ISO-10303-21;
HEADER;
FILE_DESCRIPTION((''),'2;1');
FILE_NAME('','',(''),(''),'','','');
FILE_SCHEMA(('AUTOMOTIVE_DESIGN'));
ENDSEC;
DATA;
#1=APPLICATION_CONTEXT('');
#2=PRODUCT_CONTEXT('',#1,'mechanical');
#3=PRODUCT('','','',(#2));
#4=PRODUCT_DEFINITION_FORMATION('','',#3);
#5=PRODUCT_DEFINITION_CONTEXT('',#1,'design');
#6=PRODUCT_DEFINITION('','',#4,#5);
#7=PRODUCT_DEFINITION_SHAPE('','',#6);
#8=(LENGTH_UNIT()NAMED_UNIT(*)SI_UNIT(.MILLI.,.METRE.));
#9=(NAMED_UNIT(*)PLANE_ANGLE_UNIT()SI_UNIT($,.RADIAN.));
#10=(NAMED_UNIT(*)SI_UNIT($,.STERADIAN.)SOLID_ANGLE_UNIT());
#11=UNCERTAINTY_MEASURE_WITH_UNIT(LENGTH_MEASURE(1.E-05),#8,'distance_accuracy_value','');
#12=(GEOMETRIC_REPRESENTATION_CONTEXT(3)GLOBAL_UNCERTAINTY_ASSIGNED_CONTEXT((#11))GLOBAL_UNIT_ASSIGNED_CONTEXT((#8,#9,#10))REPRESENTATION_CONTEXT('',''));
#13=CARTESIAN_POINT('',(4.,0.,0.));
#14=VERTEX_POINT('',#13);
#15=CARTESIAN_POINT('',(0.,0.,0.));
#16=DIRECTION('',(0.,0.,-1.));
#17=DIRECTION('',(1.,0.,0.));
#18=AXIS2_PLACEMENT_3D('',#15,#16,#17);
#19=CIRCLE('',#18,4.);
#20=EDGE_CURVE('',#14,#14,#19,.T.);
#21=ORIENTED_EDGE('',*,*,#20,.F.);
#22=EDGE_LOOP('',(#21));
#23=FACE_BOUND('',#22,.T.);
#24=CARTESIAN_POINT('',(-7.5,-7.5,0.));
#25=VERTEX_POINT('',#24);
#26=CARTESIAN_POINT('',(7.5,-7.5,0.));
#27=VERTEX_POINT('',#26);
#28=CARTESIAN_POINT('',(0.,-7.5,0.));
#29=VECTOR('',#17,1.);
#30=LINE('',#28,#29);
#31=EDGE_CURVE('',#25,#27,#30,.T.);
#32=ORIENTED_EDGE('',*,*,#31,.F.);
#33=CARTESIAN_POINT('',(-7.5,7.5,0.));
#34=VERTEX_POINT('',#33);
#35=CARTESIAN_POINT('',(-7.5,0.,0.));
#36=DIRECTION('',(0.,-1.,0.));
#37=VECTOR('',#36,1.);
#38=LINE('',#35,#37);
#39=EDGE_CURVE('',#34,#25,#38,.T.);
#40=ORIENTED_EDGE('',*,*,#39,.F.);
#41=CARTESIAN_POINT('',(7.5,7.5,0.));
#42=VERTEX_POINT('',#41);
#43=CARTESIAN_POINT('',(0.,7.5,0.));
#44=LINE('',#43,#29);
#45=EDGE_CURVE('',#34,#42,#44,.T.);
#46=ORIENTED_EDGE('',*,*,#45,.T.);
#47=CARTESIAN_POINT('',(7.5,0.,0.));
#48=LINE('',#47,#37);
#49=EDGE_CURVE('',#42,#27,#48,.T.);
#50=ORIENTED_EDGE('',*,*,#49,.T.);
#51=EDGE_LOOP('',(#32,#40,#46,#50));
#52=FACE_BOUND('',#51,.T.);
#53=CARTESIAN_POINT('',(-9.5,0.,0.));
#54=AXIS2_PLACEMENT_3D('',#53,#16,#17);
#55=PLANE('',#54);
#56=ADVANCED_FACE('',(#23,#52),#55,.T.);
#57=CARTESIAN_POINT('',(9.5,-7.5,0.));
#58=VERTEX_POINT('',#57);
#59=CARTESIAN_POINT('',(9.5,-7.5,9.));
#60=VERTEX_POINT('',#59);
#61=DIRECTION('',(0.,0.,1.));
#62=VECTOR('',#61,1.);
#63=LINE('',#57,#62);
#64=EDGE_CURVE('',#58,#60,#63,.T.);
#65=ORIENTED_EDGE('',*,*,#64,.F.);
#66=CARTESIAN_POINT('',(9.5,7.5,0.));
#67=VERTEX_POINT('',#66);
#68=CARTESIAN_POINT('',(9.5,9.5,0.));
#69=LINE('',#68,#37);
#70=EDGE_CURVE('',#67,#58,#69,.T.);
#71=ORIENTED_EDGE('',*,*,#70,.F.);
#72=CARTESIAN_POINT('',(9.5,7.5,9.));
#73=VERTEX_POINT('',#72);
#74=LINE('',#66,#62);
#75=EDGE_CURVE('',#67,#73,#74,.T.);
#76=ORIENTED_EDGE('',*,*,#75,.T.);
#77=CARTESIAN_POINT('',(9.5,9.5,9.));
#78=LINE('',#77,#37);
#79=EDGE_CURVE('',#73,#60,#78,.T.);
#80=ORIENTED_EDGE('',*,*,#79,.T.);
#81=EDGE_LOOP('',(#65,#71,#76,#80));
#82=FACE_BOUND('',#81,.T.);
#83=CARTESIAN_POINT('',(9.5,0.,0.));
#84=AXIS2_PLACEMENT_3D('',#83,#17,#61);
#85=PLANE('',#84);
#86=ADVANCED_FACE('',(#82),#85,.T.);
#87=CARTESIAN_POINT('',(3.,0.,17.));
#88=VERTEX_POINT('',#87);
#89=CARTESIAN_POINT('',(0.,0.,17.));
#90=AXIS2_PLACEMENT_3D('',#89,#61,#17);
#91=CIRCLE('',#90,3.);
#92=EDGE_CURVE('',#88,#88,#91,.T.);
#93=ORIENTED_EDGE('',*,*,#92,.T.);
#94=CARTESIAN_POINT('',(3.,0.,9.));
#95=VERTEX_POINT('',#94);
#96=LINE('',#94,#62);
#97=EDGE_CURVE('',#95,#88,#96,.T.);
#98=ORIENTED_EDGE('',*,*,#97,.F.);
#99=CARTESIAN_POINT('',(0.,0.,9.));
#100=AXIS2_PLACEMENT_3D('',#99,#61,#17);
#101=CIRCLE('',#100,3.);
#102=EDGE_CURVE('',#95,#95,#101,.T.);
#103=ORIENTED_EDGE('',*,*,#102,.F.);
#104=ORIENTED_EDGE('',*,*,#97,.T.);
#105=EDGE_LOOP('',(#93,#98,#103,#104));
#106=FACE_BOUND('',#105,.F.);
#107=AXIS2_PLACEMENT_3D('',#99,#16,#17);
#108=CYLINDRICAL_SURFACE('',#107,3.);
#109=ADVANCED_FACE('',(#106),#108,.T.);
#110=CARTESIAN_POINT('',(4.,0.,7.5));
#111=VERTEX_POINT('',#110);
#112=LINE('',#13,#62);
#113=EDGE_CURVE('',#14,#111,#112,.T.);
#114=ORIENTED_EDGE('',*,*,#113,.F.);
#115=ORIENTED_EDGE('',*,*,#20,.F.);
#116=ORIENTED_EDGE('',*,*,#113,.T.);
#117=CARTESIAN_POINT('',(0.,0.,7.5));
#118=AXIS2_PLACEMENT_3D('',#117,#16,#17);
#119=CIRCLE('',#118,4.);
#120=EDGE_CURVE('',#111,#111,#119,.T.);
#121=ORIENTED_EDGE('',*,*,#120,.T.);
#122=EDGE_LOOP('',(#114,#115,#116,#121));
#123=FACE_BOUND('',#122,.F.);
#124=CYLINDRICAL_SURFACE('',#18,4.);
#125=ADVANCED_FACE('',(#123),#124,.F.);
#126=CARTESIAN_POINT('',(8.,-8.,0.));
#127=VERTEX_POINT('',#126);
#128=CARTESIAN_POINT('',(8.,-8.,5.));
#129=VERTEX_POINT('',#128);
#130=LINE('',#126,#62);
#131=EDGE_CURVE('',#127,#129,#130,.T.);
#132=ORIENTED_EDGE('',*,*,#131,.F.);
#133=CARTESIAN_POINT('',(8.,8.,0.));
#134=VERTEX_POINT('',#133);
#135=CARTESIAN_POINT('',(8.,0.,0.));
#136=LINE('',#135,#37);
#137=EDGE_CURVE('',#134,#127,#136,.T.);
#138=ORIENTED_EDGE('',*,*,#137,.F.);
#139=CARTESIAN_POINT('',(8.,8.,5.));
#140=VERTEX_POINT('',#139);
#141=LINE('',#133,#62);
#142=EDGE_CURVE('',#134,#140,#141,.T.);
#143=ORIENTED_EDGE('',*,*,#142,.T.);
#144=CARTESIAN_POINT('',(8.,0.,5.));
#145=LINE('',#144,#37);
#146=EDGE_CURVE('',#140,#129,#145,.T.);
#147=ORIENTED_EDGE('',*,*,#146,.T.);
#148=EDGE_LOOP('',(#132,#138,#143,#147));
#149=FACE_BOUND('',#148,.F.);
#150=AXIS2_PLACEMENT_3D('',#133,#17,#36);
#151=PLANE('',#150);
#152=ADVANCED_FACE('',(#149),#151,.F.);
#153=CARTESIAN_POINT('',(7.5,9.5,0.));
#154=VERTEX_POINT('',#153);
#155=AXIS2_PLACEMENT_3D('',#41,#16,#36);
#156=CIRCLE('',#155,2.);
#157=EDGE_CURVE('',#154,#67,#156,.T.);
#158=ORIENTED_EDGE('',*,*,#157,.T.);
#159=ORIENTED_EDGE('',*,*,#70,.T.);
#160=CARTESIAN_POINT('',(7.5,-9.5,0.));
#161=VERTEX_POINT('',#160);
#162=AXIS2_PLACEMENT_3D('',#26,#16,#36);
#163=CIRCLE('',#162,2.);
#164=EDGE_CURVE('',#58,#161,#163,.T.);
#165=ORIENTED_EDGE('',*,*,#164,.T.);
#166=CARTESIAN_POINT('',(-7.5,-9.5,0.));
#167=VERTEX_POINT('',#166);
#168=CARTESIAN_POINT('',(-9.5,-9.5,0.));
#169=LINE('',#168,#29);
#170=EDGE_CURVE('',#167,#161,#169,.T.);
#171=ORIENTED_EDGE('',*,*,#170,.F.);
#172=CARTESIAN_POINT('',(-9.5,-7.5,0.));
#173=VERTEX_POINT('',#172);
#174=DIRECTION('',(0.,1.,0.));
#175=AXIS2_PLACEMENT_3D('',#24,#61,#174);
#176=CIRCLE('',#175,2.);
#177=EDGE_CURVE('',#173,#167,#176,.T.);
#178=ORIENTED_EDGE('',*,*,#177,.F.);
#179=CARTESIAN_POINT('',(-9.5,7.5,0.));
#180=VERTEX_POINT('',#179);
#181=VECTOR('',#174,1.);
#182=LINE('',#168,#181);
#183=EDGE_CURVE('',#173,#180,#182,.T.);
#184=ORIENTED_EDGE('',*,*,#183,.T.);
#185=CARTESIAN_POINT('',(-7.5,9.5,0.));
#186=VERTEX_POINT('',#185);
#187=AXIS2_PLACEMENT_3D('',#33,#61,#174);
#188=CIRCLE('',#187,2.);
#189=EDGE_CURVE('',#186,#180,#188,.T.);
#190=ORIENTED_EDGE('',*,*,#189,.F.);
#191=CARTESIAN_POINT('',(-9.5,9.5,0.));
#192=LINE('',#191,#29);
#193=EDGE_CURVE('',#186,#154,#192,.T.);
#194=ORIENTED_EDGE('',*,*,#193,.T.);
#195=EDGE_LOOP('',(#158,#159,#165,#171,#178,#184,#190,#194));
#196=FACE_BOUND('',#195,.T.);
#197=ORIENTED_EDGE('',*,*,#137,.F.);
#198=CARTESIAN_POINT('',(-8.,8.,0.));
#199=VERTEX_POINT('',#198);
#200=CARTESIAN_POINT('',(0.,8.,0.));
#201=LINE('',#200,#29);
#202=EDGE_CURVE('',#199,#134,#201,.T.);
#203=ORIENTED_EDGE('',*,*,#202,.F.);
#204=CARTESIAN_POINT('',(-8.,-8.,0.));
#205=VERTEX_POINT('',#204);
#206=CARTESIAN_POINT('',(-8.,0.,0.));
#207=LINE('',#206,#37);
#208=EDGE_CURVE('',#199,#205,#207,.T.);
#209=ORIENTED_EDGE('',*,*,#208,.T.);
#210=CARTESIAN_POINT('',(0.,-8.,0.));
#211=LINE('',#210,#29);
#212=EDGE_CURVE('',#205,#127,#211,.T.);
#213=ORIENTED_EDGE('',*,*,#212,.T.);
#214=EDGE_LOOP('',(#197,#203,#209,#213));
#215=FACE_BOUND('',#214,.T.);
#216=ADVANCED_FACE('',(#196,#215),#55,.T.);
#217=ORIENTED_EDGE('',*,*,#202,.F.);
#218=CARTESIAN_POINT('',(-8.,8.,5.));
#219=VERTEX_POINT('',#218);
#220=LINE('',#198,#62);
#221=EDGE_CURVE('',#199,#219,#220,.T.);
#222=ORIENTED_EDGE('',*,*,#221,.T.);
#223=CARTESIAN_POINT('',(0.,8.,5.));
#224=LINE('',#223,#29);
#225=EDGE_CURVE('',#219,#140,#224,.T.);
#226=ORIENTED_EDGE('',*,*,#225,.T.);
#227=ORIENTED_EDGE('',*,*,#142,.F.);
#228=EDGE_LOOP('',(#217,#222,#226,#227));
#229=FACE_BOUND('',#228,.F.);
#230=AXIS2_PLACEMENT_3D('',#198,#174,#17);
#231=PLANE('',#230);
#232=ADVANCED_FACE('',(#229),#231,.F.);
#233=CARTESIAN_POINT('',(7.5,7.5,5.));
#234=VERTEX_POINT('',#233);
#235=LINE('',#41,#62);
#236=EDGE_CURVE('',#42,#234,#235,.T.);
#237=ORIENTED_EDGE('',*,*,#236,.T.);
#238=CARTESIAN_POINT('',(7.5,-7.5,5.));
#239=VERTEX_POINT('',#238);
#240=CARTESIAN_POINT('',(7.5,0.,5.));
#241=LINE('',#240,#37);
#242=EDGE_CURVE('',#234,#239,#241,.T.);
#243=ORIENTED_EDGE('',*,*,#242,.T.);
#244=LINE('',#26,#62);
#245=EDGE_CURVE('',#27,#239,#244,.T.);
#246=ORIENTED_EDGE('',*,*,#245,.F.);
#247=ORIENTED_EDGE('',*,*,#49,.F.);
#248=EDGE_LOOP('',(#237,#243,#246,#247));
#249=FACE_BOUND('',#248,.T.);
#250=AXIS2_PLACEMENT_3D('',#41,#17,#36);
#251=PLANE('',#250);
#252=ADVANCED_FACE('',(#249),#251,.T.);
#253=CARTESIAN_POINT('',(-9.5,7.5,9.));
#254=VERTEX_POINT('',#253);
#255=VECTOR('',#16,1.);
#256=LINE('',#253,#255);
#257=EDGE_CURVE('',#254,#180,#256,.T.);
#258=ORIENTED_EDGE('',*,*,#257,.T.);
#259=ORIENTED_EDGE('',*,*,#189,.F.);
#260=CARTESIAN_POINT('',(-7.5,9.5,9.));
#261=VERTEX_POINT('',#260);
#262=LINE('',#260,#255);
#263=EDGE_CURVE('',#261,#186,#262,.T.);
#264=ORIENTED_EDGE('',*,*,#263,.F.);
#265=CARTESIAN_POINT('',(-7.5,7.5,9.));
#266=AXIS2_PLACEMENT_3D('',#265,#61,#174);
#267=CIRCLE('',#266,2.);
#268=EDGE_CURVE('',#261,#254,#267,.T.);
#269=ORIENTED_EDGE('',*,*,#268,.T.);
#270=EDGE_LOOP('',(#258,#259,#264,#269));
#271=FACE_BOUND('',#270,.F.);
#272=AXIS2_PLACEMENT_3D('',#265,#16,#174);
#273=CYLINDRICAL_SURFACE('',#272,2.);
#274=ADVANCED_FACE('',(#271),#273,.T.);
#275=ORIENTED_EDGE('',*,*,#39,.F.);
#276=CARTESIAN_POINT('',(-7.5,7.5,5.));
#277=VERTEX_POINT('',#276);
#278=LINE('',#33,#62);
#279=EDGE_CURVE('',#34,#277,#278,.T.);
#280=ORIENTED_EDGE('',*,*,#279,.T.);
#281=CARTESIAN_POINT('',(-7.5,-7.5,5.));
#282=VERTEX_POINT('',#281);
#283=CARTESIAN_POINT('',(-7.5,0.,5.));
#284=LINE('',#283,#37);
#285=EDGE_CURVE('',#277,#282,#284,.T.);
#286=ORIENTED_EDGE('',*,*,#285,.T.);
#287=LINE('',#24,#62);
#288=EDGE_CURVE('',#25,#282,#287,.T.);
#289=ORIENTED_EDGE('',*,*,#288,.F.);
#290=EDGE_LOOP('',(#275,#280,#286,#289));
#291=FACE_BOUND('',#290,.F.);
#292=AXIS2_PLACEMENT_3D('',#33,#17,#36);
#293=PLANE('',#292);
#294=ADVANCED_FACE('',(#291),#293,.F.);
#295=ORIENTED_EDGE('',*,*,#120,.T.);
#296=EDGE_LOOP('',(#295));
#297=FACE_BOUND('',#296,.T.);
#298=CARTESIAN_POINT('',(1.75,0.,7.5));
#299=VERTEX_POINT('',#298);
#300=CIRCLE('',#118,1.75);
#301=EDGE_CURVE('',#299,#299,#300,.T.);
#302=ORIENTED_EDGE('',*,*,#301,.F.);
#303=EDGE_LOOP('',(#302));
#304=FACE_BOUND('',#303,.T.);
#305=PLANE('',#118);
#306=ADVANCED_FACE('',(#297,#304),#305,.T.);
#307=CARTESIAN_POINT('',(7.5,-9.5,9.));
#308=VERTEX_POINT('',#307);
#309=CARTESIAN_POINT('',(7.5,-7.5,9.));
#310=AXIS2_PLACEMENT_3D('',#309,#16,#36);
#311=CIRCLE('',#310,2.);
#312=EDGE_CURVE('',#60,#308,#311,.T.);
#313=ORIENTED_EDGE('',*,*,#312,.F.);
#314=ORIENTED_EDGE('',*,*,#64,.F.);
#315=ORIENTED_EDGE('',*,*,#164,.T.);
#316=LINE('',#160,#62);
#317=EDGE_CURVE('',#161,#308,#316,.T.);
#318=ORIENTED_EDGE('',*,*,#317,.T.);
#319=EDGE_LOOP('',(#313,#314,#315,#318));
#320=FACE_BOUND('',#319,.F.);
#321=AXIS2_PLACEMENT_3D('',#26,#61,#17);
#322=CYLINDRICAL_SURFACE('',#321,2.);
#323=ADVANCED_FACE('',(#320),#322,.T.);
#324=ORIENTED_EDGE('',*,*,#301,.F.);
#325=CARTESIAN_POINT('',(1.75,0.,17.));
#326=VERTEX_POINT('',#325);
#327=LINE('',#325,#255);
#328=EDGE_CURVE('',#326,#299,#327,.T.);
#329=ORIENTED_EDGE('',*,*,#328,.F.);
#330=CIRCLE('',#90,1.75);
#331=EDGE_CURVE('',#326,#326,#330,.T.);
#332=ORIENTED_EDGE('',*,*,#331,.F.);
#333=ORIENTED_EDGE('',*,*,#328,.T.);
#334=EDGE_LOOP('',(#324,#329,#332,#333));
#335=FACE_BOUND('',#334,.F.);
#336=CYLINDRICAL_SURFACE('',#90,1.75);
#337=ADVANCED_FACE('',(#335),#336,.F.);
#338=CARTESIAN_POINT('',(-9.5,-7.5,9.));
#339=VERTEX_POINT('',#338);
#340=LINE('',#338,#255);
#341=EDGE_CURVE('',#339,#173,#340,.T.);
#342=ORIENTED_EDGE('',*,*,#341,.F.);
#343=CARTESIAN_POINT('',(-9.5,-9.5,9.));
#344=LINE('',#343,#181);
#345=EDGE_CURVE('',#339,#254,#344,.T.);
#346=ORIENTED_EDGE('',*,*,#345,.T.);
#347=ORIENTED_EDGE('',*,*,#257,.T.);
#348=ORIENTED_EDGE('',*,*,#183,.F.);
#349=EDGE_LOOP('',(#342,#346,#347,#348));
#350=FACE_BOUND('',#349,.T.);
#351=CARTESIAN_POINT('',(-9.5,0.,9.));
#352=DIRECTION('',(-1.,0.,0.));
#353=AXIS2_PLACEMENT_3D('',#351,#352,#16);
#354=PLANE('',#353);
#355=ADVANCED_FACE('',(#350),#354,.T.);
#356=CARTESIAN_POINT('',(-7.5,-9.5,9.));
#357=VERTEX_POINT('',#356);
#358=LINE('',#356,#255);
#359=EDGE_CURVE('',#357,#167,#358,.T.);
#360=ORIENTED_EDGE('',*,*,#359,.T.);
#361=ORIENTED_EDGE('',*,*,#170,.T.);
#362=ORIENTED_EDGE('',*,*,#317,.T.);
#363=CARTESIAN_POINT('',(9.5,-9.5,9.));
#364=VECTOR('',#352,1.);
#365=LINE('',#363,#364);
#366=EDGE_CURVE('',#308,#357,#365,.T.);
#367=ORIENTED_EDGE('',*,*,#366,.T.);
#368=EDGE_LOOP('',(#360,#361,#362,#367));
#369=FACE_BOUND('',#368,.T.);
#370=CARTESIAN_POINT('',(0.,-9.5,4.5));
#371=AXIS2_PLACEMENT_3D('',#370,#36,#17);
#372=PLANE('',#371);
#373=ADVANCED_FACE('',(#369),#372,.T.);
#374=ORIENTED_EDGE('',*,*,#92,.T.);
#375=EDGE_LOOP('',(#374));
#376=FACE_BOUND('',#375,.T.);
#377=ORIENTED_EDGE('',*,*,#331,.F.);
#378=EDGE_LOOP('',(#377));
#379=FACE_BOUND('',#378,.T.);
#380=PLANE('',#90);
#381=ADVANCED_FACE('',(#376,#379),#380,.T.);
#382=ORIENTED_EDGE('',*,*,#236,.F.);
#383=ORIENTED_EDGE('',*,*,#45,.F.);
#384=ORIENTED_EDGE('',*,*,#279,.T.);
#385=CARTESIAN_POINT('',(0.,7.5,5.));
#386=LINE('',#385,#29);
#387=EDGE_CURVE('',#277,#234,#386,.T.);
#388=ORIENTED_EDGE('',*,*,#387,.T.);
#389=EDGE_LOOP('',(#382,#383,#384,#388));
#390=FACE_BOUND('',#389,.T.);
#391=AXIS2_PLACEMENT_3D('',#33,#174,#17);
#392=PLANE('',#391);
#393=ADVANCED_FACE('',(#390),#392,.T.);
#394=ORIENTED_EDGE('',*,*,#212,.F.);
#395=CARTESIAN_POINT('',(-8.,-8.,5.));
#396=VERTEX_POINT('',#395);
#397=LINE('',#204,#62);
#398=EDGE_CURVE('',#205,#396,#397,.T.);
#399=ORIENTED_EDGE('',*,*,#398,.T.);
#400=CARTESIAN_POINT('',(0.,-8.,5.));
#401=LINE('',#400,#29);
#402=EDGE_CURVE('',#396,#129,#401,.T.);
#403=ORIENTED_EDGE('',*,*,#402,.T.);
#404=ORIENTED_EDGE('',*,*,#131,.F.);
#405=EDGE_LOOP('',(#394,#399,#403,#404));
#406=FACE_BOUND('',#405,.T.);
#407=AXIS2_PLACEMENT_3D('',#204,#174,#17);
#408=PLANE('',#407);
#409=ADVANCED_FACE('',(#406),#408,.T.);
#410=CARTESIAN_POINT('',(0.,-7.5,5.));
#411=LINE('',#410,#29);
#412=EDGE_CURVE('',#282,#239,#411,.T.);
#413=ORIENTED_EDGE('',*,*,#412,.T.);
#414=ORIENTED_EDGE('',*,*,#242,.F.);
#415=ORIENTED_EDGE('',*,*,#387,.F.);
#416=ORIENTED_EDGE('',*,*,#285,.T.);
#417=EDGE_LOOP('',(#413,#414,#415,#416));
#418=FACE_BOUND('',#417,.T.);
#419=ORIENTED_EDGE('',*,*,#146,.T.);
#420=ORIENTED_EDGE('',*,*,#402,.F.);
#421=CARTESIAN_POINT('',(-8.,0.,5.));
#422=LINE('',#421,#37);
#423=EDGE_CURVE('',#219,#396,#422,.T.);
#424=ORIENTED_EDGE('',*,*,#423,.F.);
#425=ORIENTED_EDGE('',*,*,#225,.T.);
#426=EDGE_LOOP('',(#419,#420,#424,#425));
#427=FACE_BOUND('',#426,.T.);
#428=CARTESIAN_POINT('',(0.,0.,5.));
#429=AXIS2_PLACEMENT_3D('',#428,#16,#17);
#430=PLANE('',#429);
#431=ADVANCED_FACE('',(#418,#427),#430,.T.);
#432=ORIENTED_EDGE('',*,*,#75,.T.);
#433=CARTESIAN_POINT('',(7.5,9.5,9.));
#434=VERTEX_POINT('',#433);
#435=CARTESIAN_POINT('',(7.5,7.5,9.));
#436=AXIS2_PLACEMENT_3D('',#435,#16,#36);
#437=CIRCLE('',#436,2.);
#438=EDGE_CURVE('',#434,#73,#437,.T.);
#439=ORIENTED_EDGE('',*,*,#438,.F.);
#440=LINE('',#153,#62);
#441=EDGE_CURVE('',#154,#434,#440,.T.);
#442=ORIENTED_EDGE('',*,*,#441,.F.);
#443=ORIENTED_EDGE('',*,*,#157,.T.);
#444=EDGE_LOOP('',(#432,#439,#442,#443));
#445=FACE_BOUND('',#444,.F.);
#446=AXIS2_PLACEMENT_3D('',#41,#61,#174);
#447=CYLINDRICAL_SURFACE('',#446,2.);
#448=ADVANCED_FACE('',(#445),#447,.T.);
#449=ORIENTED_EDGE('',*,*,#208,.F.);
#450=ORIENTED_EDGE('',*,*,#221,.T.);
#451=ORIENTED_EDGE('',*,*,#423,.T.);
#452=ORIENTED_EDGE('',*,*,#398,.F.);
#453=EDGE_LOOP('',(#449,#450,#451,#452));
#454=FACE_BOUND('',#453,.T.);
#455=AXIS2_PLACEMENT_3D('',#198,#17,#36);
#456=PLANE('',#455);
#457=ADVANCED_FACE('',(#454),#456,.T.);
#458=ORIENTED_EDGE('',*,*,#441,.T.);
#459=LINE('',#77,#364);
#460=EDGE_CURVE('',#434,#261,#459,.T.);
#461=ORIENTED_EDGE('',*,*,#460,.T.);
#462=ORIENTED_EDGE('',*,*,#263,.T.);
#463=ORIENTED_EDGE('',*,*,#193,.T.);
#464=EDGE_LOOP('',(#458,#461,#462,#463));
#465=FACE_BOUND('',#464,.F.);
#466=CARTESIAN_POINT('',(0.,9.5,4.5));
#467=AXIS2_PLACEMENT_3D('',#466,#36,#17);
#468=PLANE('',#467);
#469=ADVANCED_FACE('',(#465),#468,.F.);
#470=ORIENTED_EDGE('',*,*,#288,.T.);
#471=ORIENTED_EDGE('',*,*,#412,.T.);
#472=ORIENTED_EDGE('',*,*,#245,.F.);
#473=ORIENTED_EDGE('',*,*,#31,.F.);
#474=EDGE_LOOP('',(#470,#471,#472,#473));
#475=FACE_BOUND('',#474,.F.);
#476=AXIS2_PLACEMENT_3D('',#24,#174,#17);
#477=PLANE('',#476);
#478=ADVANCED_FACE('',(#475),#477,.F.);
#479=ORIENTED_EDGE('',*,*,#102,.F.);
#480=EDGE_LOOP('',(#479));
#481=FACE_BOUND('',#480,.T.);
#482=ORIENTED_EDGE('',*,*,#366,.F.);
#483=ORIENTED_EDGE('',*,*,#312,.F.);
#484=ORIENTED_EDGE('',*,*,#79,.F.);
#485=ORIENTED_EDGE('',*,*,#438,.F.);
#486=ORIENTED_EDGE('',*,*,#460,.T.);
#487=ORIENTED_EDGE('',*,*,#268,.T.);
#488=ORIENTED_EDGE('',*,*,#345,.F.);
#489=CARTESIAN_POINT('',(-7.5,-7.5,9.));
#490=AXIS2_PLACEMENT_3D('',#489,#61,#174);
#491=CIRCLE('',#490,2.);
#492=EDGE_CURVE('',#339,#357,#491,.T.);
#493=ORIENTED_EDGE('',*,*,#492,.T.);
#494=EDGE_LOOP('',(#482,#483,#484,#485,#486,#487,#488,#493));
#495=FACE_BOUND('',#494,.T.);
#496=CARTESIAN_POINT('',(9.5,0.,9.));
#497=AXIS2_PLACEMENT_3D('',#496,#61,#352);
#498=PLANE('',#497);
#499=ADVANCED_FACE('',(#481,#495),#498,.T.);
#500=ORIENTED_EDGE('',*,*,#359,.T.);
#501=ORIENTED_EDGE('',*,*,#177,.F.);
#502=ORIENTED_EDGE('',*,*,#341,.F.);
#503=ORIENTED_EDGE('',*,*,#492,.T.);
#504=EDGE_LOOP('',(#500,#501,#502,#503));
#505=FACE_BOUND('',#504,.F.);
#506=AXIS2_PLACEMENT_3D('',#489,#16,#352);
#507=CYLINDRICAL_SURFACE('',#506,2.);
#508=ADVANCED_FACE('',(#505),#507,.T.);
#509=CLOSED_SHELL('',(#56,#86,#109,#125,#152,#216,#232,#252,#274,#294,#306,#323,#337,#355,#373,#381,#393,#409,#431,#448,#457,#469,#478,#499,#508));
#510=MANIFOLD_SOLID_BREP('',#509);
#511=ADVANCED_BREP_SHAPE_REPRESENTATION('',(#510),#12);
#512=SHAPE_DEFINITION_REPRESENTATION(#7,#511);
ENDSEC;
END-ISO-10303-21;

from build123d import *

# Parameters (mm, degrees)
F1_DEPTH  = 9.5
F2_R      = 3
F3_DEPTH  = 8
F4_R      = 1.75
F5_DEPTH  = 17
F6_W      = 16
F6_H      = 16
F6_W_2    = 15
F6_H_2    = 15
F7_DEPTH  = 5
F8_R      = 2
F9_R      = 4
F9_R_2    = 1.75
F10_DEPTH = 7.5


with BuildPart() as f1:
    # F0 (on Front) → F1 (new body, symmetric)
    with BuildSketch(Plane.XZ):
        Polygon((-9.5, 0), (0, 0), (9.5, 0), (9.5, 9), (-9.5, 9), align=None)
    extrude(amount=F1_DEPTH, both=True)

    # F2 (on face) → F3 (join)
    with BuildSketch(Plane.XY.offset(9)):
        Circle(F2_R)
    extrude(amount=F3_DEPTH)

    # F4 (on face) → F5 (cut)
    with BuildSketch(Plane.XY.offset(17)):
        Circle(F4_R)
    extrude(amount=-F5_DEPTH, mode=Mode.SUBTRACT)

    # F6 (on face) → F7 (cut)
    with BuildSketch(Plane(origin=(0, 0, 0), x_dir=(1, 0, 0), z_dir=(0, 0, -1))):
        Rectangle(F6_W, F6_H)
        Rectangle(F6_W_2, F6_H_2, mode=Mode.SUBTRACT)
    extrude(amount=-F7_DEPTH, mode=Mode.SUBTRACT)

    # F8
    f8_edges = [f1.edges().sort_by_distance(p)[0] for p in [
        (-9.5, -9.5, 4.5),
        (9.5, -9.5, 4.5),
        (-9.5, 9.5, 4.5),
        (9.5, 9.5, 4.5),
    ]]
    fillet(f8_edges, radius=F8_R)

    # F9 (on face) → F10 (cut)
    with BuildSketch(Plane(origin=(0, 0, 0), x_dir=(1, 0, 0), z_dir=(0, 0, -1))):
        Circle(F9_R)
        Circle(F9_R_2, mode=Mode.SUBTRACT)
    extrude(amount=-F10_DEPTH, mode=Mode.SUBTRACT)


solid = f1.part
